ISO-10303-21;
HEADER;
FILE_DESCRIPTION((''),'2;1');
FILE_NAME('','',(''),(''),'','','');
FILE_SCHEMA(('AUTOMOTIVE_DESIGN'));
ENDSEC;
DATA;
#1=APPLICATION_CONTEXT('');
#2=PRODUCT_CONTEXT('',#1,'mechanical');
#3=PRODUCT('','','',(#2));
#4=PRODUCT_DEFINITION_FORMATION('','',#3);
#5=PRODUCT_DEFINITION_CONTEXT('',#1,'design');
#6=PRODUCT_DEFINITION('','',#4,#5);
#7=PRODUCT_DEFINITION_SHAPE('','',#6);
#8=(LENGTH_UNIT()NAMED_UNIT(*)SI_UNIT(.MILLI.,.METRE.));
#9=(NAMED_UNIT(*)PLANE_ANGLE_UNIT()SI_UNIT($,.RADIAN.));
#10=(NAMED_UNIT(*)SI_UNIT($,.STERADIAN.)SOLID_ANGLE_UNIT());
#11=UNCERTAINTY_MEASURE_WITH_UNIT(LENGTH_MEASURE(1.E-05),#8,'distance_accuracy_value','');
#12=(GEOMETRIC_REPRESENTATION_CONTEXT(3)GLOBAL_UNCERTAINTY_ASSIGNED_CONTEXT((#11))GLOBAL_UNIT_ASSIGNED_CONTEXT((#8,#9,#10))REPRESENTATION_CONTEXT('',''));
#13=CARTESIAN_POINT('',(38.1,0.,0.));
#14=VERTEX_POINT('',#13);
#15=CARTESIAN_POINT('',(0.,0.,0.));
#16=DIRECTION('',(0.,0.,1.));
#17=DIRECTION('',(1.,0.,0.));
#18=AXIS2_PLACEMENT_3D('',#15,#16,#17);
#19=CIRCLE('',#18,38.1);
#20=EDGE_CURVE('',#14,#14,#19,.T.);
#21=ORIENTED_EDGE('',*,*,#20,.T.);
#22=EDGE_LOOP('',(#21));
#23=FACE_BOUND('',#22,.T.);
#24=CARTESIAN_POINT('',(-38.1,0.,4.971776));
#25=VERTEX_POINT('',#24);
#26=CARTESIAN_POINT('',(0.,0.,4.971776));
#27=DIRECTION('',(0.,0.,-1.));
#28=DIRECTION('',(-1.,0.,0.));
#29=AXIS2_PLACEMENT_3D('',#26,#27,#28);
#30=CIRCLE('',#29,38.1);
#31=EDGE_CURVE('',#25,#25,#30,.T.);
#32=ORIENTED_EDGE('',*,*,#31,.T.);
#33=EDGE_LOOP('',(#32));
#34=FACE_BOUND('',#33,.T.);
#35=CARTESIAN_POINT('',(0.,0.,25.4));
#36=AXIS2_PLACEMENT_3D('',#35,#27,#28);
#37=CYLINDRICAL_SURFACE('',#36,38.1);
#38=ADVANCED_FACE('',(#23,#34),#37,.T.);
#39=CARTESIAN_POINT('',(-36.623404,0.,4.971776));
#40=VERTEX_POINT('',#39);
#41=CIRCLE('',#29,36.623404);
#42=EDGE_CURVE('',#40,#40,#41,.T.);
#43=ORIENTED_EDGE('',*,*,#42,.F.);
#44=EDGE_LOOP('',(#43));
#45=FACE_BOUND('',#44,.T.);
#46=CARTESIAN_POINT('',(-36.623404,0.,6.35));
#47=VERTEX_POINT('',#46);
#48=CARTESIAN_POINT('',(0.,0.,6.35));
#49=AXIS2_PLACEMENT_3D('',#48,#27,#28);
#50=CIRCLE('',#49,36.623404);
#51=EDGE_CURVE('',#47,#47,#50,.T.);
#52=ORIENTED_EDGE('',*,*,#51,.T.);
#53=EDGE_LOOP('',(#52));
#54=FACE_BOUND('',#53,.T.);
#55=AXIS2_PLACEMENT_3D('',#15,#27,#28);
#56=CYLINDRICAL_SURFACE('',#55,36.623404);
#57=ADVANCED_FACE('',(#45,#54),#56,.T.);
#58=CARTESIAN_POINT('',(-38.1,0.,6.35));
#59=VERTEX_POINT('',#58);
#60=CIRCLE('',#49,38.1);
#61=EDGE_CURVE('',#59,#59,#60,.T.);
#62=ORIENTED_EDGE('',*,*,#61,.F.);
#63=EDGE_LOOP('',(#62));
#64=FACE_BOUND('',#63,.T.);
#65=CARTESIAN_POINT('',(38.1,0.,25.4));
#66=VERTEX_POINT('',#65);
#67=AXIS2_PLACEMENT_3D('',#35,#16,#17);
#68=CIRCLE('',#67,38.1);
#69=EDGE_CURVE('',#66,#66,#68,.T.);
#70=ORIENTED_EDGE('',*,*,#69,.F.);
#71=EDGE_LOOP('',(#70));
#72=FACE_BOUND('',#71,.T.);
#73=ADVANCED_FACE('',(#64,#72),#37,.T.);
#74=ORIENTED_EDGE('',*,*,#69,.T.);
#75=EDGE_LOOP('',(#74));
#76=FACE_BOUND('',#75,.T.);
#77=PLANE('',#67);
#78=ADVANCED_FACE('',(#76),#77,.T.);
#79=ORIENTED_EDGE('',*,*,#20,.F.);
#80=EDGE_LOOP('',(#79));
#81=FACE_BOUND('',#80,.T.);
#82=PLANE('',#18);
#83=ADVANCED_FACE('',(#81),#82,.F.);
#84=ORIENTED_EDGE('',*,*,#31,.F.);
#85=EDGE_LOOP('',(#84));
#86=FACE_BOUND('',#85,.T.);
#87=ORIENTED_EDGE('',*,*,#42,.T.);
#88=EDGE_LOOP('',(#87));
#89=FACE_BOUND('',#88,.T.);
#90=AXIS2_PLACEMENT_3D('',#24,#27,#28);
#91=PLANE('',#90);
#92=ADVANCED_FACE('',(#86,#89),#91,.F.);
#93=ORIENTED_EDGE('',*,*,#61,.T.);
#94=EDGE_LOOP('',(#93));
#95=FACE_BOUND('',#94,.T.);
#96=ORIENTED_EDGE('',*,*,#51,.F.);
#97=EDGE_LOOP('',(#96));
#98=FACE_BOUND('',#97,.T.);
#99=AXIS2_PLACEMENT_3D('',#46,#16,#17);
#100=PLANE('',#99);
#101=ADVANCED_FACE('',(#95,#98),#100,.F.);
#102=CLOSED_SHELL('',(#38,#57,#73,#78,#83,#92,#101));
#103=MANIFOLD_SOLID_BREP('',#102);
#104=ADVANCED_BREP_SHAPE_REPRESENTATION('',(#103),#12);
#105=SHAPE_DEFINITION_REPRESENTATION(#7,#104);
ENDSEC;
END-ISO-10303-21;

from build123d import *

# Parameters (mm, degrees)
SKETCH1_R           = 38.1
BOSS_EXTRUDE1_DEPTH = 25.4
SKETCH2_W           = 1.476595825
SKETCH2_H           = 1.378223542


with BuildPart() as part:
    # Sketch1 → Boss-Extrude1 (new body)
    with BuildSketch(Plane.XY):
        Circle(SKETCH1_R)
    extrude(amount=BOSS_EXTRUDE1_DEPTH)

    # Sketch2 → Cut-Revolve1 (revolve, cut)
    with BuildSketch(Plane(origin=(0, 0, 0), x_dir=(1, 0, 0), z_dir=(0, 1, 0))):
        with Locations((-37.361702088, -5.660888229)):
            Rectangle(SKETCH2_W, SKETCH2_H)
    revolve(axis=Axis((0, 0, 0), (0, 0, 1)), mode=Mode.SUBTRACT)


solid = part.part
